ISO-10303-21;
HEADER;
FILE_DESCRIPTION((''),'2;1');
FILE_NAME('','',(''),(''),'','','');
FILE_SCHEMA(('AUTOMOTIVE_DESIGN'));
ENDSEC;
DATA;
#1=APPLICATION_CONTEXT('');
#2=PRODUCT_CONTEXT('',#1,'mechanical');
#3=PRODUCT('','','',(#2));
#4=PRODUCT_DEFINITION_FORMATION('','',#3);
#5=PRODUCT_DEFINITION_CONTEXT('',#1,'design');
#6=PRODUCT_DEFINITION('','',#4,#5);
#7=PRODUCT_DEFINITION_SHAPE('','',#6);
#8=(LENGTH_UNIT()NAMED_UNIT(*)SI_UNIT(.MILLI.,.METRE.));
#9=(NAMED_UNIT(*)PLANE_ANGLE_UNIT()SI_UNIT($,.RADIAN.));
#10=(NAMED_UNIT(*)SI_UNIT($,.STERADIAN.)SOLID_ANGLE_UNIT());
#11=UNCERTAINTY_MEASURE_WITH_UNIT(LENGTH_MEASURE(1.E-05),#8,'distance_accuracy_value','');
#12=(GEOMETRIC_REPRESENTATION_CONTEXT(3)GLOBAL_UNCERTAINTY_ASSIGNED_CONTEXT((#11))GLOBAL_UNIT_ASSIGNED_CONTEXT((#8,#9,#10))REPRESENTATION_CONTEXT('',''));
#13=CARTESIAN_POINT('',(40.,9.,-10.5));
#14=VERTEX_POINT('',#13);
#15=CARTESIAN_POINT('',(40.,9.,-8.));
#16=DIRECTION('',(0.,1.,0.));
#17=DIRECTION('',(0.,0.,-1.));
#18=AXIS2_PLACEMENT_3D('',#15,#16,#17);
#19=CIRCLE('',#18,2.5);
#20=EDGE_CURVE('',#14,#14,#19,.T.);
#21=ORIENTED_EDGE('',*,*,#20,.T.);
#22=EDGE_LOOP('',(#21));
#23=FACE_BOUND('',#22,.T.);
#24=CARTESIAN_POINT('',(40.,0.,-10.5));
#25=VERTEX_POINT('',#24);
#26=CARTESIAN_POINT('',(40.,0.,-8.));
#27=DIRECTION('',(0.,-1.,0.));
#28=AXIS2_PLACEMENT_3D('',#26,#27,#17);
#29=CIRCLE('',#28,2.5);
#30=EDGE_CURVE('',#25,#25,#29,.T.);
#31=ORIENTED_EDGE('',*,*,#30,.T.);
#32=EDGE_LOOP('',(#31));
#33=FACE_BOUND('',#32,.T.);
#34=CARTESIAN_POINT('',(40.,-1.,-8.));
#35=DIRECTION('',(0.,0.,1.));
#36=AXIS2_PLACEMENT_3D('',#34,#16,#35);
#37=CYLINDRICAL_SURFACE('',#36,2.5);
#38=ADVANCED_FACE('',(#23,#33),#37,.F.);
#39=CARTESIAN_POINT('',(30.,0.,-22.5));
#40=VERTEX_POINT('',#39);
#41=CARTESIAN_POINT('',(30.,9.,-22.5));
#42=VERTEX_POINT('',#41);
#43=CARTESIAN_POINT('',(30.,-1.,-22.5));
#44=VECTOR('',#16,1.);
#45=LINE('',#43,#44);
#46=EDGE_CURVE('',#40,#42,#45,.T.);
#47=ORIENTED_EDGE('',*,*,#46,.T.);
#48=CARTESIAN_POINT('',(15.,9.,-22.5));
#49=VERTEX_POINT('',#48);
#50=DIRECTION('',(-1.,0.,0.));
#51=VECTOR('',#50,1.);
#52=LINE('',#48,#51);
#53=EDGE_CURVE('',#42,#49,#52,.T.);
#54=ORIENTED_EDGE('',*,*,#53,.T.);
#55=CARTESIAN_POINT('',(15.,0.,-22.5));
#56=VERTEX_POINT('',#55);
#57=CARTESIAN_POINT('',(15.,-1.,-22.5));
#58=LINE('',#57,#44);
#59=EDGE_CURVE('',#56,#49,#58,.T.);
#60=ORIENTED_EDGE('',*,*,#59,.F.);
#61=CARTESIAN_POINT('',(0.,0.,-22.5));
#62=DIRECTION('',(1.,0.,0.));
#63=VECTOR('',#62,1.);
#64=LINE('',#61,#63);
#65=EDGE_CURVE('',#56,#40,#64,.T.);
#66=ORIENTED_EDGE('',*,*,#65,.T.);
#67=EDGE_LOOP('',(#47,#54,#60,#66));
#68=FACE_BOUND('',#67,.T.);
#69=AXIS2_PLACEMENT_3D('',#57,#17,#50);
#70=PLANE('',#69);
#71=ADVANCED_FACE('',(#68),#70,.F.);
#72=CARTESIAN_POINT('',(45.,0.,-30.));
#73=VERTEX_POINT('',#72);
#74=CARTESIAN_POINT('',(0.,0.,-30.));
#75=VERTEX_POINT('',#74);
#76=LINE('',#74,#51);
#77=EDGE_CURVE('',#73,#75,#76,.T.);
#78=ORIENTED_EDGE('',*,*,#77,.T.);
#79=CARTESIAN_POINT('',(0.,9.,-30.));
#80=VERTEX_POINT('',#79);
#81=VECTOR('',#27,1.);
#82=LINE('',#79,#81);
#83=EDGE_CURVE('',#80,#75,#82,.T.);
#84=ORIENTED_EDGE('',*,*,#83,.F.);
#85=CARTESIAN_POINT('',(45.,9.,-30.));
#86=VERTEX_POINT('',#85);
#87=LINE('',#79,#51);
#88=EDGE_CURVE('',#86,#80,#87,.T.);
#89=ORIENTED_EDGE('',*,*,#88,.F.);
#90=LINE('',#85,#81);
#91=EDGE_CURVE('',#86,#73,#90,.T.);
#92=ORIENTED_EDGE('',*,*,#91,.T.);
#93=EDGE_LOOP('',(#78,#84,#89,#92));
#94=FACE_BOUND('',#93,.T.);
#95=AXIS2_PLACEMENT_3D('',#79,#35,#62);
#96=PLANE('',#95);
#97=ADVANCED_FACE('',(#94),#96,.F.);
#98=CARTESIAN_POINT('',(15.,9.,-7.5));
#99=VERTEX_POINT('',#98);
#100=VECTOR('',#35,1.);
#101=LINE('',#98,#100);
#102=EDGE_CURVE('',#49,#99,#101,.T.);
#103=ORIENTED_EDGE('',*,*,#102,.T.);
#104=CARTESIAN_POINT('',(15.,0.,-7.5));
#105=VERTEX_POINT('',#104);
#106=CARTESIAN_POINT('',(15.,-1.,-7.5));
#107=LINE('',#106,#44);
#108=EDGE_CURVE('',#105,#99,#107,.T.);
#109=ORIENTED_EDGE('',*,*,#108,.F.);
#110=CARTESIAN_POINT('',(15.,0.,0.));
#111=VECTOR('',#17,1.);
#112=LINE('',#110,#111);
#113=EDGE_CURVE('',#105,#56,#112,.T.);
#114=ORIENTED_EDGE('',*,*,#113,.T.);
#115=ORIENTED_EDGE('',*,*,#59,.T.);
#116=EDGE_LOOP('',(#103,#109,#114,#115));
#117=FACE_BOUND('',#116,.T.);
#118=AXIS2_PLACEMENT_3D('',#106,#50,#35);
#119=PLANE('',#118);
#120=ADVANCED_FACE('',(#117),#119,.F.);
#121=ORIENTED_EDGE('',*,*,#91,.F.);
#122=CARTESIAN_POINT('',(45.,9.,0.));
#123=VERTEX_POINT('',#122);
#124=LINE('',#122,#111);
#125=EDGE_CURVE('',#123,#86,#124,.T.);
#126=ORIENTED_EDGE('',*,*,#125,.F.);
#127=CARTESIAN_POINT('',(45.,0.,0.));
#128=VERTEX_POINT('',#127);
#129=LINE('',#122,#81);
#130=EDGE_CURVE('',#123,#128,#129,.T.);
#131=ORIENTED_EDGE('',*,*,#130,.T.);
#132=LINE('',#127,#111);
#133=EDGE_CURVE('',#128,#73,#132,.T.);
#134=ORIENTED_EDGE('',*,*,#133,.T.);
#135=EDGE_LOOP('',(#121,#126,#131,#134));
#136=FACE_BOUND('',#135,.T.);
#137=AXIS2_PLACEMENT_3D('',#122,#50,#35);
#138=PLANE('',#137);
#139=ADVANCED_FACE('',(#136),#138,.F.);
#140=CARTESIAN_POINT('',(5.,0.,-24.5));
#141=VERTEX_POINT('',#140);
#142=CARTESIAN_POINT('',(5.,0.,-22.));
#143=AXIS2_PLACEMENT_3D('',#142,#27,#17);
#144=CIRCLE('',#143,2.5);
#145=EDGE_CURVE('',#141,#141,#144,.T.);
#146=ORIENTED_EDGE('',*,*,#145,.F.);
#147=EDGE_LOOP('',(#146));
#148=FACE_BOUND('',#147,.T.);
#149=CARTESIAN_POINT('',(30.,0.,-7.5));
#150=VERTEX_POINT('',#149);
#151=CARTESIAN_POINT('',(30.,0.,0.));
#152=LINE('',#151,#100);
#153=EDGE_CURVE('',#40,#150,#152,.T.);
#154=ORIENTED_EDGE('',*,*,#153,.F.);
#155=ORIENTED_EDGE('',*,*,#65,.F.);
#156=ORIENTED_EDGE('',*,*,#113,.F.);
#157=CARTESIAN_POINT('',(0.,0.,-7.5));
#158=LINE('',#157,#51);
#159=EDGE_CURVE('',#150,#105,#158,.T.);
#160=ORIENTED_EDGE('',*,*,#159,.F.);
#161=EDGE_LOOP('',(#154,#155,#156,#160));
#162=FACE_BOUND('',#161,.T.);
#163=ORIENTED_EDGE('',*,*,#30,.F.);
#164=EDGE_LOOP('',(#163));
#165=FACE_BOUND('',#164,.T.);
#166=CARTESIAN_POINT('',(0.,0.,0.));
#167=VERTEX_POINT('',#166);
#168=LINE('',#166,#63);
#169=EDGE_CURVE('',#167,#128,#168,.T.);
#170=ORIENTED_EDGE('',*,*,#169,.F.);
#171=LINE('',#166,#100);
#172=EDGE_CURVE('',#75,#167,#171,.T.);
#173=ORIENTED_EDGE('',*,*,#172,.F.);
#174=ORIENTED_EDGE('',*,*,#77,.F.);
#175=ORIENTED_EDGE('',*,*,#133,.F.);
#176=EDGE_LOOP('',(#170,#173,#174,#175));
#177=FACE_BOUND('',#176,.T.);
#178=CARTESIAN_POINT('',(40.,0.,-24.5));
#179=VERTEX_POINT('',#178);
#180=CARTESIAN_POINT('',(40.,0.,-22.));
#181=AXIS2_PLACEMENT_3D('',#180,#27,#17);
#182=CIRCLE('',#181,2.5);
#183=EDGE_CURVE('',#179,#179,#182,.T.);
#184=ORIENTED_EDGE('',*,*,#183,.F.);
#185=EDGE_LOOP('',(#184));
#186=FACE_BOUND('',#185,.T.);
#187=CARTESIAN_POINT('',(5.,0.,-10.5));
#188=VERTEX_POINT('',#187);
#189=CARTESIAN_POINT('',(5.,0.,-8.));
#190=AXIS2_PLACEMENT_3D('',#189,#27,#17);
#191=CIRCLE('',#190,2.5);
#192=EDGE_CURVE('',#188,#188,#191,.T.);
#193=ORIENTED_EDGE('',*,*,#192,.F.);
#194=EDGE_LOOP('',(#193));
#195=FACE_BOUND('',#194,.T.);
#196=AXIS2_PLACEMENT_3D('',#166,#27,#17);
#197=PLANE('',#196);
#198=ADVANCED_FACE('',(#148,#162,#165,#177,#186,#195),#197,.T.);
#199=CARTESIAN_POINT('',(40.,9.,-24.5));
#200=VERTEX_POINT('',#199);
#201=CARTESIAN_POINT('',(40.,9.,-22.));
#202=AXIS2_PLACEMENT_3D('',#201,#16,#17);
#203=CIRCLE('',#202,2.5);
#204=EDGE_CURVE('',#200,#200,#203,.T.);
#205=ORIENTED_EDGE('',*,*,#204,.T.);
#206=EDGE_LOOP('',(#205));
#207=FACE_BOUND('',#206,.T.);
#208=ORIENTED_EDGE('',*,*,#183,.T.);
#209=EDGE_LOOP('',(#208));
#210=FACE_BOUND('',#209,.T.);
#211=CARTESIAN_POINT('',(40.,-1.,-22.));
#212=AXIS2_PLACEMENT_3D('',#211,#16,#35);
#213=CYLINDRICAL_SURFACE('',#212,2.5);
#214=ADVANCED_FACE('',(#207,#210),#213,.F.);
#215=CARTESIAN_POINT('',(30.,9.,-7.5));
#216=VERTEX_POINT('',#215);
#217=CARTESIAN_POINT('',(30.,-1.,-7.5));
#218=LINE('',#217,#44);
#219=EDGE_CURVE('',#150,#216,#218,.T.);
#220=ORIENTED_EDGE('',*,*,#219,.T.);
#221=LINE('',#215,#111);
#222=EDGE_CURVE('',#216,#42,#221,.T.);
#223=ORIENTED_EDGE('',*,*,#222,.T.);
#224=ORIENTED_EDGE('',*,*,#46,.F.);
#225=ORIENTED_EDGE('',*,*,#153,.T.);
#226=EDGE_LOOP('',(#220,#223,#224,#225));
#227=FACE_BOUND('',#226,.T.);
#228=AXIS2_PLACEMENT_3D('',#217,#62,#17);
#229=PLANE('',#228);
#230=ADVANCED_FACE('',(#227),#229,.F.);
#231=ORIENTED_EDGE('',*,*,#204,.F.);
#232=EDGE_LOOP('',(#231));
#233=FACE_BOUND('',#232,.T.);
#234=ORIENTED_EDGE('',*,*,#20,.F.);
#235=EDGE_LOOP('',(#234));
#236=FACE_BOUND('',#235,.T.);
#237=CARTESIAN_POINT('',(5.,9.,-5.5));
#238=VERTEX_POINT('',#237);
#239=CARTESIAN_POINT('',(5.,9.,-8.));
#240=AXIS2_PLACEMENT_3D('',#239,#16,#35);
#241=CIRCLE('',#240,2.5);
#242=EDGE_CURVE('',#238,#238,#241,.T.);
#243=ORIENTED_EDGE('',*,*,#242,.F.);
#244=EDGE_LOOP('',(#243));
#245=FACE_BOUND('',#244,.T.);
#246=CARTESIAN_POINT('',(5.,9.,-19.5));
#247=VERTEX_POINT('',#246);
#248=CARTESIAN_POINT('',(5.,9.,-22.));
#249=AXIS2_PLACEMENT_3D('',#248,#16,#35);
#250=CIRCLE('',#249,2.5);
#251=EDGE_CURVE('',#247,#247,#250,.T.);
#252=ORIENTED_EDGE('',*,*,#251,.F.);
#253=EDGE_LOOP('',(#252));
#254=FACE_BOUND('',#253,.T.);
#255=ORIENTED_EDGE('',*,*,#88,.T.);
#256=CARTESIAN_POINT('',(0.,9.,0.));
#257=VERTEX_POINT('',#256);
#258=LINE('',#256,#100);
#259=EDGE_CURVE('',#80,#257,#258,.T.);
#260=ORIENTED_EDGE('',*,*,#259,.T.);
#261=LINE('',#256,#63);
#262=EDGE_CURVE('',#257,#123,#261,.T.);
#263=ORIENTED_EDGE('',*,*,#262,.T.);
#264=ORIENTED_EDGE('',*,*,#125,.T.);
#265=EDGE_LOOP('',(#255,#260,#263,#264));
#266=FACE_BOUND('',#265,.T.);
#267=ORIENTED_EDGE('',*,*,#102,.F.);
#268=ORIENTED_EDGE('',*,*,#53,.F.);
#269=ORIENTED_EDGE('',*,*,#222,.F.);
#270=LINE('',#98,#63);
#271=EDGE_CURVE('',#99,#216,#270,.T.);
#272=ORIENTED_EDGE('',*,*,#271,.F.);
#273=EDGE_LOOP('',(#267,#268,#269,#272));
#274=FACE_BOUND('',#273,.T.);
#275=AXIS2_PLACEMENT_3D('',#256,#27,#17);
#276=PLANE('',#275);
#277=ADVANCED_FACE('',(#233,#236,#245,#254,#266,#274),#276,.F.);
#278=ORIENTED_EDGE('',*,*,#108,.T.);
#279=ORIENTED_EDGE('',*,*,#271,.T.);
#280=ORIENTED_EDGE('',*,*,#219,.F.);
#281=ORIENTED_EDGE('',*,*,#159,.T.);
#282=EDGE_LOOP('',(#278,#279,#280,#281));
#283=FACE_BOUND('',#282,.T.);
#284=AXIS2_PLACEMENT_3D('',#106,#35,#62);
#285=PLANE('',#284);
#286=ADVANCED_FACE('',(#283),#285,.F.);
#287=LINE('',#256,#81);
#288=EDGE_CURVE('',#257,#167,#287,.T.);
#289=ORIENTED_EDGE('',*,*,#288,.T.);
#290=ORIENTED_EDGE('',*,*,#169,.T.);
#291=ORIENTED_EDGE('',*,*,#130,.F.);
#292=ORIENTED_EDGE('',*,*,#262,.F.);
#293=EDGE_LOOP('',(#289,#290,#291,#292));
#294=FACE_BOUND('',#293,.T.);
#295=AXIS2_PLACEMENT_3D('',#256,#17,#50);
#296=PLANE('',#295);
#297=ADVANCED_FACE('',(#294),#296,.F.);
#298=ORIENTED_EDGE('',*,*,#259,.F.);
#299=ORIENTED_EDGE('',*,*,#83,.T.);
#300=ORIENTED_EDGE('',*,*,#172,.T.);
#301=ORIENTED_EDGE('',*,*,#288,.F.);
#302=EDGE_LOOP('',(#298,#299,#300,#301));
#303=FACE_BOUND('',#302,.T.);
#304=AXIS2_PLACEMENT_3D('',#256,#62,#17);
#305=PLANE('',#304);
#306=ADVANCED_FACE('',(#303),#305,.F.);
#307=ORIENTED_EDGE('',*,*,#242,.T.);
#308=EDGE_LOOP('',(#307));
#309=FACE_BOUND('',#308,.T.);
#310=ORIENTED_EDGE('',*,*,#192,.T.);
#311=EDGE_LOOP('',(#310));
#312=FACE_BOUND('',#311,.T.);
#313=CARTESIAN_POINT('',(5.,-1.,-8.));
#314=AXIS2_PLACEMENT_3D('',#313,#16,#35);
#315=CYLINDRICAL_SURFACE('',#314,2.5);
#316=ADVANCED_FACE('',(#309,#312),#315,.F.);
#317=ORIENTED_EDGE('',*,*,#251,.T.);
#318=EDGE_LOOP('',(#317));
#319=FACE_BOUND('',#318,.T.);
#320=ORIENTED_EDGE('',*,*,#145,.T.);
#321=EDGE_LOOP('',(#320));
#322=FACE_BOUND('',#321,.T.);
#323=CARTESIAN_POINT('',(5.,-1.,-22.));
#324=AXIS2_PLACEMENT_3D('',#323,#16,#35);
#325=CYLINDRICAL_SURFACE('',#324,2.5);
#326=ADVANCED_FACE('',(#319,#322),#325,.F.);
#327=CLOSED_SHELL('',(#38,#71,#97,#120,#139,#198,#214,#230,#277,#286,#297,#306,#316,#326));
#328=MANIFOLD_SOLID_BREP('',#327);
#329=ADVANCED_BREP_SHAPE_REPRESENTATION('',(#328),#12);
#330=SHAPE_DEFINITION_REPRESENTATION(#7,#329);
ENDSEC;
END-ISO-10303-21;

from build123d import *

# Parameters (mm, degrees)
CROQUIS1_W              = 45
CROQUIS1_H              = 30
SALIENTE_EXTRUIR1_DEPTH = 9
CROQUIS2_R              = 2.5
CROQUIS2_W              = 15
CROQUIS2_H              = 15
CORTAR_EXTRUIR1_DEPTH   = 10


with BuildPart() as part:
    # Croquis1 → Saliente-Extruir1 (new body)
    with BuildSketch(Plane(origin=(0, 0, 0), x_dir=(1, 0, 0), z_dir=(0, 1, 0))):
        with Locations((22.5, 15)):
            Rectangle(CROQUIS1_W, CROQUIS1_H)
    extrude(amount=SALIENTE_EXTRUIR1_DEPTH)

    # Croquis2 → Cortar-Extruir1 (cut)
    with BuildSketch(Plane(origin=(0, 9, 0), x_dir=(1, 0, 0), z_dir=(0, 1, 0))):
        with Locations(Location((5, 22, 0), (0, 0, 270))):
            Circle(CROQUIS2_R)
        with Locations(Location((5, 8, 0), (0, 0, 270))):
            Circle(CROQUIS2_R)
        with Locations(Location((40, 8, 0), (0, 0, 90))):
            Circle(CROQUIS2_R)
        with Locations(Location((40, 22, 0), (0, 0, 90))):
            Circle(CROQUIS2_R)
        with Locations((22.5, 15)):
            Rectangle(CROQUIS2_W, CROQUIS2_H)
    extrude(amount=-CORTAR_EXTRUIR1_DEPTH, mode=Mode.SUBTRACT)


solid = part.part
